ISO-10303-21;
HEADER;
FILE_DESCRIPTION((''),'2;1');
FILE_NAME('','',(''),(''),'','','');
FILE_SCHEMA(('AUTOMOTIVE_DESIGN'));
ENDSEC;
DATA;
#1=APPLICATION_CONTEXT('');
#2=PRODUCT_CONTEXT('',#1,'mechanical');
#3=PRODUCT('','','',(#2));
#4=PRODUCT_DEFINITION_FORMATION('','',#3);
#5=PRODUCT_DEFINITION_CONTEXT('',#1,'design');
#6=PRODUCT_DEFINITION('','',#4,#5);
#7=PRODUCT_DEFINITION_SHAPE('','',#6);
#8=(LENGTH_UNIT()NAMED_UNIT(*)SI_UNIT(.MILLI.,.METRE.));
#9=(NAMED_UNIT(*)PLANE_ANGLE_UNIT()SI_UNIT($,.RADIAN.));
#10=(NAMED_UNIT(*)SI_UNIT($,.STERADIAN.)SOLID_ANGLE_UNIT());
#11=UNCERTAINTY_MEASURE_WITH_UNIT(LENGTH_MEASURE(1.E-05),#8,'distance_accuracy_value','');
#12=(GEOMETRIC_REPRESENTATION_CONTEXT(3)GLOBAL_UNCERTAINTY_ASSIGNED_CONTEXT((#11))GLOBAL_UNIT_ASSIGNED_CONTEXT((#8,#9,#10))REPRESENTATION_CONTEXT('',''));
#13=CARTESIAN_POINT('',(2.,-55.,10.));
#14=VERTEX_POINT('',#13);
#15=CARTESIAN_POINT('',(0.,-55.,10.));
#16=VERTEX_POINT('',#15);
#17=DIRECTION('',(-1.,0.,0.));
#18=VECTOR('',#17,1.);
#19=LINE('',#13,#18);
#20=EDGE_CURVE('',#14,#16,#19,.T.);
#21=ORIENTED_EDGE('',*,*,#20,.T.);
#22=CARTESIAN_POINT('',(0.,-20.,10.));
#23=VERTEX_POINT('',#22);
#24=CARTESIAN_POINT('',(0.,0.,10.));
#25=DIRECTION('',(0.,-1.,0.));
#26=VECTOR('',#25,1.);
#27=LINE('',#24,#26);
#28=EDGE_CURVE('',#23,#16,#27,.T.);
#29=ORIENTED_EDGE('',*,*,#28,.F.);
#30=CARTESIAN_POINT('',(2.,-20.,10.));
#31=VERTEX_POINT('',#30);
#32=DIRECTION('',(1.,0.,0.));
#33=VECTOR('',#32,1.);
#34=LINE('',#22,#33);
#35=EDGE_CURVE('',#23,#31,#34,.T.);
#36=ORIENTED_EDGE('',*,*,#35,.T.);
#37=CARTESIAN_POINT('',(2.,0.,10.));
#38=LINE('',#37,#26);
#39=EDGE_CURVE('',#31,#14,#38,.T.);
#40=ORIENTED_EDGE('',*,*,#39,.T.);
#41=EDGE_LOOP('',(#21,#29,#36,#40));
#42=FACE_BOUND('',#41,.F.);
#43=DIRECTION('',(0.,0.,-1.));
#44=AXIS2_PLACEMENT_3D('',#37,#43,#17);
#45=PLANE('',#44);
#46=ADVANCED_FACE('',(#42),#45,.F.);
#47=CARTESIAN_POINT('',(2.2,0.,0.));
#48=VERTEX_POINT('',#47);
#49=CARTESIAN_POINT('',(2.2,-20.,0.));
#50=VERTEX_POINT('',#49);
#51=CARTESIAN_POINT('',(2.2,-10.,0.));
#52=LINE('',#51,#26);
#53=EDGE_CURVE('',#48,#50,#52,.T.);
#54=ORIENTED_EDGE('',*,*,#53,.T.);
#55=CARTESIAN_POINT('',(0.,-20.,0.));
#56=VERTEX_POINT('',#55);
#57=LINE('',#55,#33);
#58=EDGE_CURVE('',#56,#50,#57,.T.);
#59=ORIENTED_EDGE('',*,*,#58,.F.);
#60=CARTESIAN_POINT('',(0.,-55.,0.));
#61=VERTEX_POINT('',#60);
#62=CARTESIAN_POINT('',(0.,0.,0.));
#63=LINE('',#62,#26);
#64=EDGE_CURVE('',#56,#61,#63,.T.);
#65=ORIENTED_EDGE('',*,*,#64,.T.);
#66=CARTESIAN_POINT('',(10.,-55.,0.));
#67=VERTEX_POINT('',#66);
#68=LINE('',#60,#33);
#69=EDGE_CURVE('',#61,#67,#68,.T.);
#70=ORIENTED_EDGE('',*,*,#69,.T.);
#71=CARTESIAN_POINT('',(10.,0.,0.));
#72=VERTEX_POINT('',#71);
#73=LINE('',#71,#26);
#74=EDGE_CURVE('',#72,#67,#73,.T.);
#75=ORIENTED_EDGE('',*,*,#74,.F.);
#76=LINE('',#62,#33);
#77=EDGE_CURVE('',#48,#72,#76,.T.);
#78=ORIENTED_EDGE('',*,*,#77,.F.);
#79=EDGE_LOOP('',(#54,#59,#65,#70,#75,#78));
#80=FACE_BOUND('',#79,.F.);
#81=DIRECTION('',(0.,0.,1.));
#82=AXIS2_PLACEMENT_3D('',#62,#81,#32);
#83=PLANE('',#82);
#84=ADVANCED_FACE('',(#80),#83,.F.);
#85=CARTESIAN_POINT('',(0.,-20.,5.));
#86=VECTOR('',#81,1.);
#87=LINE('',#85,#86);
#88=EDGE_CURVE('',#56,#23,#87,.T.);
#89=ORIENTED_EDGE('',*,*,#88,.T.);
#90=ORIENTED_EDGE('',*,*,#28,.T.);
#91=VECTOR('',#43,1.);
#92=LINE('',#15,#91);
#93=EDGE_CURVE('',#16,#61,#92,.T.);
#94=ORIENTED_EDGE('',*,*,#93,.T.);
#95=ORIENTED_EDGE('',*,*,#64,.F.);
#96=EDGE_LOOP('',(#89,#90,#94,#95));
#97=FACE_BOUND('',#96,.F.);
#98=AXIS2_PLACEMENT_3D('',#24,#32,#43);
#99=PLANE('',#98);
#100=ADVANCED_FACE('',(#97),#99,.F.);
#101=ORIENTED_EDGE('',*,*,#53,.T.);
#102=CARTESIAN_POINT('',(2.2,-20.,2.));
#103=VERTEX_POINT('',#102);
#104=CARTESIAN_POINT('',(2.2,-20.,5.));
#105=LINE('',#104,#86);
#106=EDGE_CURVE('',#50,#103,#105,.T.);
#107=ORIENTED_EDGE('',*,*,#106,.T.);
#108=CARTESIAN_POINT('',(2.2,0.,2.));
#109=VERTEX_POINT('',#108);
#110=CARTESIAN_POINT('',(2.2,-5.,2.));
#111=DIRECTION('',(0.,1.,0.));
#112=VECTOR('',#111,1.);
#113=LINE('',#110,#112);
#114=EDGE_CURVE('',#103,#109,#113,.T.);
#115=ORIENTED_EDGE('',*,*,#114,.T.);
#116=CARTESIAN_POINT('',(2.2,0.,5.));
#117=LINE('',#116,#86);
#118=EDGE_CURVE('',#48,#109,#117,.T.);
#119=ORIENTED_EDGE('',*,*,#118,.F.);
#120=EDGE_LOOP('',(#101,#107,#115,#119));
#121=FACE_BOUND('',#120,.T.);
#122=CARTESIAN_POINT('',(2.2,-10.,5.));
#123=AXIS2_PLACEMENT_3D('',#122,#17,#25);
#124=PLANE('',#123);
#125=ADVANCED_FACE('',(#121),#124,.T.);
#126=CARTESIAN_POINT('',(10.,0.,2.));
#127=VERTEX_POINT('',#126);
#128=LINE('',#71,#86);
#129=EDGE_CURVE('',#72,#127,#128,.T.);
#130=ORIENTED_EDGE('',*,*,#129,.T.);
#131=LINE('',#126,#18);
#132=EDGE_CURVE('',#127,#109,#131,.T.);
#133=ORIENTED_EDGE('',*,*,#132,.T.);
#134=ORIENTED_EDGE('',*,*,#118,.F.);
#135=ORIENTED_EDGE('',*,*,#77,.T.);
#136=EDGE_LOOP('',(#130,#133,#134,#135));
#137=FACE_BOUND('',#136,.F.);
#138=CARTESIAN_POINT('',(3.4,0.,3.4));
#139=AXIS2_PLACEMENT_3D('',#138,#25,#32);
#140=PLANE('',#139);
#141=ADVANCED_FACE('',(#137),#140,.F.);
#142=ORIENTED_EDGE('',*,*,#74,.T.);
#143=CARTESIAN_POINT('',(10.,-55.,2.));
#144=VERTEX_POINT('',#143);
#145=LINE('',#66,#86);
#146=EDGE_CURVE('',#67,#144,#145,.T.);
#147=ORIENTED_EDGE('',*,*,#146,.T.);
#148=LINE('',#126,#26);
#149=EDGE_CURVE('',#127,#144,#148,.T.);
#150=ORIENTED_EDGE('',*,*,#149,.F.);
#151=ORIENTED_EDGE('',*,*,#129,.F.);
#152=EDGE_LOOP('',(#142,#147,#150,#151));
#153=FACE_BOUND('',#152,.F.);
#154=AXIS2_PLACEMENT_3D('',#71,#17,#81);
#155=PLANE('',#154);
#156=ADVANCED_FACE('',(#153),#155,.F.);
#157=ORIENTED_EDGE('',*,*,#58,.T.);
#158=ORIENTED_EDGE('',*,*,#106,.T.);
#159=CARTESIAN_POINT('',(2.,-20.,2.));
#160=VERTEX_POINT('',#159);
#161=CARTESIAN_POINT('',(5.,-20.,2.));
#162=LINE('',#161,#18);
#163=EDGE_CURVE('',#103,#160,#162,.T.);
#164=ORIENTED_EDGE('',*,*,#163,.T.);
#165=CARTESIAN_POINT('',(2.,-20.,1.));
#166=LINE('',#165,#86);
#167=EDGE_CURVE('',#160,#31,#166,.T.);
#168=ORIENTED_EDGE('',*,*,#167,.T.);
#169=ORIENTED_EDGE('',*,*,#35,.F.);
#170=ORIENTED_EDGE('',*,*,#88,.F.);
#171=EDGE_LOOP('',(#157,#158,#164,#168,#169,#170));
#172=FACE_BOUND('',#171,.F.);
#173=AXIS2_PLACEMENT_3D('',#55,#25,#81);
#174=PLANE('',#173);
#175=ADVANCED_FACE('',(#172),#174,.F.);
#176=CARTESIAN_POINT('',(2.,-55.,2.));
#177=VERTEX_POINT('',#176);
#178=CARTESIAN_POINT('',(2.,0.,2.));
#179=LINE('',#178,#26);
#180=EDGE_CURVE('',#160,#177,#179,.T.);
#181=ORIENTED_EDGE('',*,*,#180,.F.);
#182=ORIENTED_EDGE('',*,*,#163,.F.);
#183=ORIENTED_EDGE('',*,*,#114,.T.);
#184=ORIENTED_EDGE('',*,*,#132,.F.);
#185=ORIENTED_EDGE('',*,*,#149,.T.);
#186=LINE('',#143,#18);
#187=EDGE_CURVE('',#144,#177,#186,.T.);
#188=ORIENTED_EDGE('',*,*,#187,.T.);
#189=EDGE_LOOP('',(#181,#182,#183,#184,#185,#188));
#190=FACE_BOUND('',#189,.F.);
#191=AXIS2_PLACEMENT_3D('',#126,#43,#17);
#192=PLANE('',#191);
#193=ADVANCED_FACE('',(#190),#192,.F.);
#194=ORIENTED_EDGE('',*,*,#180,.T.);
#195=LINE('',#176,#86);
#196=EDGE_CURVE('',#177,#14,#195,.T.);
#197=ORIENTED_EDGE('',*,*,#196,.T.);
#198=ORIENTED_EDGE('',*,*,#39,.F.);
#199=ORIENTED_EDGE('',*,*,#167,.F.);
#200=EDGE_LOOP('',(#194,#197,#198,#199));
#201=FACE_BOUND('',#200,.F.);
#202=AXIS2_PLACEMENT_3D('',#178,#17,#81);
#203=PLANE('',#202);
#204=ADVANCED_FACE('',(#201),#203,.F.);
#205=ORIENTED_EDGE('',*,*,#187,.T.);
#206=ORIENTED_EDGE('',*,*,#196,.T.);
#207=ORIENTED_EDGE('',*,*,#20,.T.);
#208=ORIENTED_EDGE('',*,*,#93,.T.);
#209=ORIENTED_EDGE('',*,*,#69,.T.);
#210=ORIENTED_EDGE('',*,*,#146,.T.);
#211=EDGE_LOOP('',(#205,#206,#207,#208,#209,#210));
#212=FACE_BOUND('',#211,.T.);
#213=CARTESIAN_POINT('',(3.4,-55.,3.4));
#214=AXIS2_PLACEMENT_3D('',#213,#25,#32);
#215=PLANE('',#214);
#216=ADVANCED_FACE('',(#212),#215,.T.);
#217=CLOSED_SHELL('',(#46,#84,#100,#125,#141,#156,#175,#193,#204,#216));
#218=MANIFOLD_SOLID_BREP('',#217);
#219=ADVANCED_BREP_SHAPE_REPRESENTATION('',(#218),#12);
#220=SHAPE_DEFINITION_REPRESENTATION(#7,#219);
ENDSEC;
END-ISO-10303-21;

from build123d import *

# Parameters (mm, degrees)
F1_DEPTH = 55
F2_W     = 20
F2_H     = 10
F3_DEPTH = 2.2


with BuildPart() as f1:
    # F0 (on Front) → F1 (new body)
    with BuildSketch(Plane.XZ):
        Polygon((0, 10), (0, 0), (10, 0), (10, 2), (2, 2), (2, 10), align=None)
    extrude(amount=F1_DEPTH)

    # F2 (on face) → F3 (cut)
    with BuildSketch(Plane(origin=(0, 0, 0), x_dir=(0, -1, 0), z_dir=(-1, 0, 0))):
        with Locations((10, 5)):
            Rectangle(F2_W, F2_H)
    extrude(amount=-F3_DEPTH, mode=Mode.SUBTRACT)


solid = f1.part
